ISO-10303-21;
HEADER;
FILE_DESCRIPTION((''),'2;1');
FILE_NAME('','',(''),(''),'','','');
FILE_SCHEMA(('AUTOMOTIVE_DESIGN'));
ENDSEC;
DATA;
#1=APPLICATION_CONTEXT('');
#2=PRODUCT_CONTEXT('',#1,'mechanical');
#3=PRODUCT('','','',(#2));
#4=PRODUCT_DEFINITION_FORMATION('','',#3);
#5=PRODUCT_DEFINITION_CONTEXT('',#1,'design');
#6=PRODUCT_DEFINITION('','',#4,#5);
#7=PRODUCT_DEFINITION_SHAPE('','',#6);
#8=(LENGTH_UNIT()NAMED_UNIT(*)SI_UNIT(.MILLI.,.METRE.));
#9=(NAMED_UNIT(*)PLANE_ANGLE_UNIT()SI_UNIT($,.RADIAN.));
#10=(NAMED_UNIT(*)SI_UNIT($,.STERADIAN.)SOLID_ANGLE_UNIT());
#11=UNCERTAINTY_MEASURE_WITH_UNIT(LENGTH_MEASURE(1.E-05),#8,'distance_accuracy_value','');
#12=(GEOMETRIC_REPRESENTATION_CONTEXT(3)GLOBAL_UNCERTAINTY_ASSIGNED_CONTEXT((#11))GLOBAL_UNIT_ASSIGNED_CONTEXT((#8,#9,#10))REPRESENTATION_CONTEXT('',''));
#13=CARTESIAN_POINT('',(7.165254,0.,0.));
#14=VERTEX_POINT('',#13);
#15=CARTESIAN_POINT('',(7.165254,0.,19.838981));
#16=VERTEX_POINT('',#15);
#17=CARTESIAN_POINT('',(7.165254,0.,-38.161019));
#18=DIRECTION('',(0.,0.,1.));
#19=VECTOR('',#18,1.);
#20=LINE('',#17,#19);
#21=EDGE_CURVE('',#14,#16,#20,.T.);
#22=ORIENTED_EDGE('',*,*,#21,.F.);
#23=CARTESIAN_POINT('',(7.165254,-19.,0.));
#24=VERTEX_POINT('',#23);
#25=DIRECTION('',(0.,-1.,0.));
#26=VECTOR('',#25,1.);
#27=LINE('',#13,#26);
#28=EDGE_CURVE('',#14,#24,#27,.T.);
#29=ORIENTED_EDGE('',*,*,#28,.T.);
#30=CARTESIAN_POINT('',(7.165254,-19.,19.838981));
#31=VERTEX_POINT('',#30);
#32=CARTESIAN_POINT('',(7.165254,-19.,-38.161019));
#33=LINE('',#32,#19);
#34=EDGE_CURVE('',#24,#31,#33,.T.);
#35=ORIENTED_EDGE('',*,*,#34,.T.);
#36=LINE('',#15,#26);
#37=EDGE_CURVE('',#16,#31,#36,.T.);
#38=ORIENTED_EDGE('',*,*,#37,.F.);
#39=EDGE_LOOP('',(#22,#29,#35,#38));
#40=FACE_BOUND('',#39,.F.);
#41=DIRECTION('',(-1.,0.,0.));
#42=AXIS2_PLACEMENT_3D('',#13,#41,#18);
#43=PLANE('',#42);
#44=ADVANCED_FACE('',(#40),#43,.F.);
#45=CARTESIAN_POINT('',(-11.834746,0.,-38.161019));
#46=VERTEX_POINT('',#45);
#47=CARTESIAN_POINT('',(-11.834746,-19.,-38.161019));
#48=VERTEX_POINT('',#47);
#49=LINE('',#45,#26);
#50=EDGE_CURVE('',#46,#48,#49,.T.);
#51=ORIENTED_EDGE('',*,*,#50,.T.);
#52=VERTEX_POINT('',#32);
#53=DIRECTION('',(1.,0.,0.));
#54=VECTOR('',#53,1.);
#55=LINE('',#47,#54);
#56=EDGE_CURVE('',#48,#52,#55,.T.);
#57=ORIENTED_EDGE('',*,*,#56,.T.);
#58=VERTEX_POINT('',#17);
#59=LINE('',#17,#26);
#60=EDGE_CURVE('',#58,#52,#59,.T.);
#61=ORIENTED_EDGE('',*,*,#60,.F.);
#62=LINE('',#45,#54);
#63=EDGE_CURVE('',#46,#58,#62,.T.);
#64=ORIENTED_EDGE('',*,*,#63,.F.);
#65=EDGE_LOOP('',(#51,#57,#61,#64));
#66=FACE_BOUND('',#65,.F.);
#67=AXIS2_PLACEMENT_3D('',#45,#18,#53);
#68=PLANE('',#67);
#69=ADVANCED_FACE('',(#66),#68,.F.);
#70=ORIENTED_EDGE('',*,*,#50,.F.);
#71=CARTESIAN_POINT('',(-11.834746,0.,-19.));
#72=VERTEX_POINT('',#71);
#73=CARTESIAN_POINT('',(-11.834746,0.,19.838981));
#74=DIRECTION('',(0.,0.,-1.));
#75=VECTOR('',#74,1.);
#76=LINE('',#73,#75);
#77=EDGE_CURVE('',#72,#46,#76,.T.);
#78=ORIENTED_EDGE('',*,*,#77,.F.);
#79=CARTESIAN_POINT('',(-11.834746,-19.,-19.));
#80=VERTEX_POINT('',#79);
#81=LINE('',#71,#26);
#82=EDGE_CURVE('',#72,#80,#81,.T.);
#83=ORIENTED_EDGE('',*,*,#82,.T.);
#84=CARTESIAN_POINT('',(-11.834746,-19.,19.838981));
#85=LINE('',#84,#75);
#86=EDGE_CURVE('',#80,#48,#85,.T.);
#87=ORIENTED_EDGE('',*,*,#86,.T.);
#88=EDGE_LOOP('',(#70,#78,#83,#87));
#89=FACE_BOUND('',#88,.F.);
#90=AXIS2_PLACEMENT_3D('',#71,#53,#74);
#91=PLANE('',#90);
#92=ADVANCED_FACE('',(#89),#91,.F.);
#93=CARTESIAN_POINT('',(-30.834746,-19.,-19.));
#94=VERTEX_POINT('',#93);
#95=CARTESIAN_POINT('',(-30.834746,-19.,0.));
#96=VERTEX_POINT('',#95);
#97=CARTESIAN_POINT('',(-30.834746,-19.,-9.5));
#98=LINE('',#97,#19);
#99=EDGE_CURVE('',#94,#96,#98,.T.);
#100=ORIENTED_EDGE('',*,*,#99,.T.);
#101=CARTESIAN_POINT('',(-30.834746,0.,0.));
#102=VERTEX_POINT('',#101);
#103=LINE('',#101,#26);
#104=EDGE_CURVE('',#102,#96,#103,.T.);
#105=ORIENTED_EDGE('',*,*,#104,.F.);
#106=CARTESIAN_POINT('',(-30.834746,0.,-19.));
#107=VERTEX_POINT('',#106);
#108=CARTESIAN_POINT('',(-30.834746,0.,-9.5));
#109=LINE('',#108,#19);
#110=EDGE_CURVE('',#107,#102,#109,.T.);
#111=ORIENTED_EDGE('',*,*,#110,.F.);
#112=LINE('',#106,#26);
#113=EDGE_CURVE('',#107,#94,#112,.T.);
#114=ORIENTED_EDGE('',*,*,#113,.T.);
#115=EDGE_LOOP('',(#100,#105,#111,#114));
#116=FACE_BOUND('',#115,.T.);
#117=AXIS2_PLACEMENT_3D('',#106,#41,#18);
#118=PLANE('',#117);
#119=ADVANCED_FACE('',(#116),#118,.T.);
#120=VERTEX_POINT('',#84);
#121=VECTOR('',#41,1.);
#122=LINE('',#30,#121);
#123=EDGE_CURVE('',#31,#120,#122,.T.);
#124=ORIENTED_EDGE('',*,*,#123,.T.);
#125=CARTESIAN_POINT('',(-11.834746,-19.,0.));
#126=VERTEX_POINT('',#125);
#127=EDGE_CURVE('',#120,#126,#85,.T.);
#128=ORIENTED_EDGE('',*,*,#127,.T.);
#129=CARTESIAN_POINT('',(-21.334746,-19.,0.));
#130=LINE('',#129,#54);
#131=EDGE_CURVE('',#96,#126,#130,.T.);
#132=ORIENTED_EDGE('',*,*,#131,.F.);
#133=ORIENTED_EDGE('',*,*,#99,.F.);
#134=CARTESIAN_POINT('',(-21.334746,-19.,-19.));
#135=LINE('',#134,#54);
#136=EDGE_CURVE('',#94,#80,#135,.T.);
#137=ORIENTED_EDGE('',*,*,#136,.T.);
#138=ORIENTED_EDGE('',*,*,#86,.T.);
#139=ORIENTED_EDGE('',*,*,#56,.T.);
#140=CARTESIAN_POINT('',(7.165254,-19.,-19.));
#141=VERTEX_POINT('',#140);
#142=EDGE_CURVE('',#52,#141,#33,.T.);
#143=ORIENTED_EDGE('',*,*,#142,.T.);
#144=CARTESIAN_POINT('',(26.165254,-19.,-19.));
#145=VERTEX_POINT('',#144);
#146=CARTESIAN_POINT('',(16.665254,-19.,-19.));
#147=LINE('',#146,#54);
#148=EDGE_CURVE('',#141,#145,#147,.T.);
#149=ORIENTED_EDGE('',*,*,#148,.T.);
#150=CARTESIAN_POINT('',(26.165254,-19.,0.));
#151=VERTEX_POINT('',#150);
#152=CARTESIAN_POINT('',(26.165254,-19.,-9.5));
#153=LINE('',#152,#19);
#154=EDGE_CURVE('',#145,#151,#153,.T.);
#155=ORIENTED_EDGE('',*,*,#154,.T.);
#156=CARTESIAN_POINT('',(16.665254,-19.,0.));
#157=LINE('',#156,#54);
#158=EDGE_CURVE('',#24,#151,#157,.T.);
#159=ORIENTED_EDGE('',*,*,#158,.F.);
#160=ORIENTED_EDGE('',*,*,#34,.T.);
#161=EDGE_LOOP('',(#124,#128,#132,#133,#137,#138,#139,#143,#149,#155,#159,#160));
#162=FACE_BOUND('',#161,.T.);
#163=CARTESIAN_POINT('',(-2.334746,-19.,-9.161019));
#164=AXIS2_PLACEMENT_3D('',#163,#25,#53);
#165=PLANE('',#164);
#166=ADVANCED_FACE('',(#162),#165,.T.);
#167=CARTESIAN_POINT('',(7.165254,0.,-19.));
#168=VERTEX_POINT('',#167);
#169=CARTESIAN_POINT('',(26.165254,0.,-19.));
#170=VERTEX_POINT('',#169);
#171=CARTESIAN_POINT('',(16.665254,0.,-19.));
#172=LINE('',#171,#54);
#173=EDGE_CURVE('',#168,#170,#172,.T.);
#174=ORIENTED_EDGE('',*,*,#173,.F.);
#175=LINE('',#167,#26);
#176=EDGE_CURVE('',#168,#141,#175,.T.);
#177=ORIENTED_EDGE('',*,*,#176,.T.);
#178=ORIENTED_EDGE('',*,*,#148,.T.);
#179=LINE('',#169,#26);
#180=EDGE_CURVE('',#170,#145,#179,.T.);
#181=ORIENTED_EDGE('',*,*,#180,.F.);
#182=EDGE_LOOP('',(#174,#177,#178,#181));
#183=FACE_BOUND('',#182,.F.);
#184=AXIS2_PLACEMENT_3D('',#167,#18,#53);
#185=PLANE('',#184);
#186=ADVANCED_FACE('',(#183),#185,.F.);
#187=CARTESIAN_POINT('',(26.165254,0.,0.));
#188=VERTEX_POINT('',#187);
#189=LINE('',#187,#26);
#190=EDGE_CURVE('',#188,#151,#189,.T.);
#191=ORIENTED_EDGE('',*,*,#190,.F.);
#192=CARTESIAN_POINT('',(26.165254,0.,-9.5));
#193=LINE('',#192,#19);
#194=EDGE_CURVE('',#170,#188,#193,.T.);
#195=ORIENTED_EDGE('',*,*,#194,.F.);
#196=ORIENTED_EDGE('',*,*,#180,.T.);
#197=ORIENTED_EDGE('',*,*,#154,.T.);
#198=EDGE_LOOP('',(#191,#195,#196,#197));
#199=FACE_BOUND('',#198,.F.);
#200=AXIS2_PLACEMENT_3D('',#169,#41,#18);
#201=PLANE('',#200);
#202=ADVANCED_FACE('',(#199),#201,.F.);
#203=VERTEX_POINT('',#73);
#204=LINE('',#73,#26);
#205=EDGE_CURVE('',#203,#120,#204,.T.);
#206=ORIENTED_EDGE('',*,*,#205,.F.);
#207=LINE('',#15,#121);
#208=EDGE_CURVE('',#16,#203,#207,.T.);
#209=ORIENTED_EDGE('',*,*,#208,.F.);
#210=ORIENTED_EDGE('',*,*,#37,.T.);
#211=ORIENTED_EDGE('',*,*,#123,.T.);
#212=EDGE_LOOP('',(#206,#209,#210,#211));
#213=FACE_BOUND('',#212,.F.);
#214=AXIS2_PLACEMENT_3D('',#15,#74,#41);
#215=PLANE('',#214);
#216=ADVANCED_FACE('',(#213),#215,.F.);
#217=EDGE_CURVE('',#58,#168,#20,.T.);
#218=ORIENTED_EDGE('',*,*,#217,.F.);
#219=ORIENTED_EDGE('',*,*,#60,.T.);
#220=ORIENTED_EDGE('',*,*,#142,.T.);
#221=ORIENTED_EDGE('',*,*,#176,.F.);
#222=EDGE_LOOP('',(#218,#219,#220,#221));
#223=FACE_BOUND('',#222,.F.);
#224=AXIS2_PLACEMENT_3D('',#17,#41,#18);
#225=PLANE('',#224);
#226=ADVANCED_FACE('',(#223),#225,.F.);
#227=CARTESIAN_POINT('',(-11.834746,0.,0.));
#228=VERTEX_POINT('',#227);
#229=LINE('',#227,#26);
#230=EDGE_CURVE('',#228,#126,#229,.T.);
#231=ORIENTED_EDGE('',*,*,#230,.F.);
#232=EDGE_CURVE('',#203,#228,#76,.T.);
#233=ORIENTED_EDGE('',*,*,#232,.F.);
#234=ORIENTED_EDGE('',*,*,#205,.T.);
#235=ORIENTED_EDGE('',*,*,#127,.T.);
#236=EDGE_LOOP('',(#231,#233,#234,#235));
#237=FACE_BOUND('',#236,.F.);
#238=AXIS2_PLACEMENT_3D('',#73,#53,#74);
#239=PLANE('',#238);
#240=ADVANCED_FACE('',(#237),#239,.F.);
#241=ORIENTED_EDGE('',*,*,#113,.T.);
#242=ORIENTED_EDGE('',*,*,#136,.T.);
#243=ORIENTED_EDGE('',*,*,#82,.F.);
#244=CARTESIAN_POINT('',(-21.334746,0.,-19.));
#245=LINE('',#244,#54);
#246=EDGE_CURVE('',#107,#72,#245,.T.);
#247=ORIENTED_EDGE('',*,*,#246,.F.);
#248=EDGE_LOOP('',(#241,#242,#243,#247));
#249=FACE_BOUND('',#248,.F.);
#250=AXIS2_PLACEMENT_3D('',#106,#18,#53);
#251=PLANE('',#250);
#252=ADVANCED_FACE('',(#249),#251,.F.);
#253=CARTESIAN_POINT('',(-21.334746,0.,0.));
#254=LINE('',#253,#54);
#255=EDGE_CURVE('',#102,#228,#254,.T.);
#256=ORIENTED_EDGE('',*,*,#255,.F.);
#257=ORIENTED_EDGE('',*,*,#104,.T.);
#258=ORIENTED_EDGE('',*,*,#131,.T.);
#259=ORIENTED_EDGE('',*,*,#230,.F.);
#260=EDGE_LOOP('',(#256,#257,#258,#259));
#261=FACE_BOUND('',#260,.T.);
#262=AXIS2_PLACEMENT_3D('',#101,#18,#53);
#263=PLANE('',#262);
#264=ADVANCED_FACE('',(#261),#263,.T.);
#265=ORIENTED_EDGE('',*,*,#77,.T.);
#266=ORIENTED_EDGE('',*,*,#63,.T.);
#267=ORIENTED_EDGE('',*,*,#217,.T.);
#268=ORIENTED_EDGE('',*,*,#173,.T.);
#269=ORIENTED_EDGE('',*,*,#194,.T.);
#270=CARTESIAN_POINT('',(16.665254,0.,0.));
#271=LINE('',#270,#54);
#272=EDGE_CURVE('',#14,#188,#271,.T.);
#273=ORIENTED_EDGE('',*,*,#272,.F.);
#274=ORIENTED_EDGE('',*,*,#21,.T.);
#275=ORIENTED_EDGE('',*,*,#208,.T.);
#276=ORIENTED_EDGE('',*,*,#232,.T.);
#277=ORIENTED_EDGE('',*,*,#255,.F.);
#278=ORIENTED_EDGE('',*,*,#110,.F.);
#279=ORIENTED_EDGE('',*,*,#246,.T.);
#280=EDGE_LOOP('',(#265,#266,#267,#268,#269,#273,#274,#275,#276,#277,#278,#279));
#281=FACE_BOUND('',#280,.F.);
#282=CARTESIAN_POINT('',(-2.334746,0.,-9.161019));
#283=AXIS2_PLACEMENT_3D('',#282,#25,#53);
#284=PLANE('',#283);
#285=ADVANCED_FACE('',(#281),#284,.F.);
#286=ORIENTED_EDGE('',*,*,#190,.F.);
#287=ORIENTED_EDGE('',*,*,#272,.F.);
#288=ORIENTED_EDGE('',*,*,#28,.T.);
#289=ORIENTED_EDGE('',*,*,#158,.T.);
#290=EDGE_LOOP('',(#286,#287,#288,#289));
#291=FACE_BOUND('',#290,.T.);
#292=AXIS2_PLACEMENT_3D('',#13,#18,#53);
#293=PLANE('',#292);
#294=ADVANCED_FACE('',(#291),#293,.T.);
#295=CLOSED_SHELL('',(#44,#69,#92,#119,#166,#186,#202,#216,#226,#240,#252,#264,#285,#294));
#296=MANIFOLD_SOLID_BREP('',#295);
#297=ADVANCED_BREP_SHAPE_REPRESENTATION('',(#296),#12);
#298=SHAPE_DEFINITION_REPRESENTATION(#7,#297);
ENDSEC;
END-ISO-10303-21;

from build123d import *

# Parameters (mm, degrees)
F0_W     = 19
F0_H     = 19
F1_DEPTH = 19


with BuildPart() as f1:
    # F0 (on Front) → F1 (new body)
    with BuildSketch(Plane.XZ):
        Polygon((7.165254, 19.838981), (-11.834746, 19.838981), (-11.834746, 0), (-11.834746, -19), (-11.834746, -38.161019), (-2.334746, -38.161019), (7.165254, -38.161019), (7.165254, -19), (7.165254, 0), align=None)
        with Locations((-21.334746, -9.5)):
            Rectangle(F0_W, F0_H)
        with Locations((16.665254, -9.5)):
            Rectangle(F0_W, F0_H)
    extrude(amount=F1_DEPTH)


solid = f1.part
